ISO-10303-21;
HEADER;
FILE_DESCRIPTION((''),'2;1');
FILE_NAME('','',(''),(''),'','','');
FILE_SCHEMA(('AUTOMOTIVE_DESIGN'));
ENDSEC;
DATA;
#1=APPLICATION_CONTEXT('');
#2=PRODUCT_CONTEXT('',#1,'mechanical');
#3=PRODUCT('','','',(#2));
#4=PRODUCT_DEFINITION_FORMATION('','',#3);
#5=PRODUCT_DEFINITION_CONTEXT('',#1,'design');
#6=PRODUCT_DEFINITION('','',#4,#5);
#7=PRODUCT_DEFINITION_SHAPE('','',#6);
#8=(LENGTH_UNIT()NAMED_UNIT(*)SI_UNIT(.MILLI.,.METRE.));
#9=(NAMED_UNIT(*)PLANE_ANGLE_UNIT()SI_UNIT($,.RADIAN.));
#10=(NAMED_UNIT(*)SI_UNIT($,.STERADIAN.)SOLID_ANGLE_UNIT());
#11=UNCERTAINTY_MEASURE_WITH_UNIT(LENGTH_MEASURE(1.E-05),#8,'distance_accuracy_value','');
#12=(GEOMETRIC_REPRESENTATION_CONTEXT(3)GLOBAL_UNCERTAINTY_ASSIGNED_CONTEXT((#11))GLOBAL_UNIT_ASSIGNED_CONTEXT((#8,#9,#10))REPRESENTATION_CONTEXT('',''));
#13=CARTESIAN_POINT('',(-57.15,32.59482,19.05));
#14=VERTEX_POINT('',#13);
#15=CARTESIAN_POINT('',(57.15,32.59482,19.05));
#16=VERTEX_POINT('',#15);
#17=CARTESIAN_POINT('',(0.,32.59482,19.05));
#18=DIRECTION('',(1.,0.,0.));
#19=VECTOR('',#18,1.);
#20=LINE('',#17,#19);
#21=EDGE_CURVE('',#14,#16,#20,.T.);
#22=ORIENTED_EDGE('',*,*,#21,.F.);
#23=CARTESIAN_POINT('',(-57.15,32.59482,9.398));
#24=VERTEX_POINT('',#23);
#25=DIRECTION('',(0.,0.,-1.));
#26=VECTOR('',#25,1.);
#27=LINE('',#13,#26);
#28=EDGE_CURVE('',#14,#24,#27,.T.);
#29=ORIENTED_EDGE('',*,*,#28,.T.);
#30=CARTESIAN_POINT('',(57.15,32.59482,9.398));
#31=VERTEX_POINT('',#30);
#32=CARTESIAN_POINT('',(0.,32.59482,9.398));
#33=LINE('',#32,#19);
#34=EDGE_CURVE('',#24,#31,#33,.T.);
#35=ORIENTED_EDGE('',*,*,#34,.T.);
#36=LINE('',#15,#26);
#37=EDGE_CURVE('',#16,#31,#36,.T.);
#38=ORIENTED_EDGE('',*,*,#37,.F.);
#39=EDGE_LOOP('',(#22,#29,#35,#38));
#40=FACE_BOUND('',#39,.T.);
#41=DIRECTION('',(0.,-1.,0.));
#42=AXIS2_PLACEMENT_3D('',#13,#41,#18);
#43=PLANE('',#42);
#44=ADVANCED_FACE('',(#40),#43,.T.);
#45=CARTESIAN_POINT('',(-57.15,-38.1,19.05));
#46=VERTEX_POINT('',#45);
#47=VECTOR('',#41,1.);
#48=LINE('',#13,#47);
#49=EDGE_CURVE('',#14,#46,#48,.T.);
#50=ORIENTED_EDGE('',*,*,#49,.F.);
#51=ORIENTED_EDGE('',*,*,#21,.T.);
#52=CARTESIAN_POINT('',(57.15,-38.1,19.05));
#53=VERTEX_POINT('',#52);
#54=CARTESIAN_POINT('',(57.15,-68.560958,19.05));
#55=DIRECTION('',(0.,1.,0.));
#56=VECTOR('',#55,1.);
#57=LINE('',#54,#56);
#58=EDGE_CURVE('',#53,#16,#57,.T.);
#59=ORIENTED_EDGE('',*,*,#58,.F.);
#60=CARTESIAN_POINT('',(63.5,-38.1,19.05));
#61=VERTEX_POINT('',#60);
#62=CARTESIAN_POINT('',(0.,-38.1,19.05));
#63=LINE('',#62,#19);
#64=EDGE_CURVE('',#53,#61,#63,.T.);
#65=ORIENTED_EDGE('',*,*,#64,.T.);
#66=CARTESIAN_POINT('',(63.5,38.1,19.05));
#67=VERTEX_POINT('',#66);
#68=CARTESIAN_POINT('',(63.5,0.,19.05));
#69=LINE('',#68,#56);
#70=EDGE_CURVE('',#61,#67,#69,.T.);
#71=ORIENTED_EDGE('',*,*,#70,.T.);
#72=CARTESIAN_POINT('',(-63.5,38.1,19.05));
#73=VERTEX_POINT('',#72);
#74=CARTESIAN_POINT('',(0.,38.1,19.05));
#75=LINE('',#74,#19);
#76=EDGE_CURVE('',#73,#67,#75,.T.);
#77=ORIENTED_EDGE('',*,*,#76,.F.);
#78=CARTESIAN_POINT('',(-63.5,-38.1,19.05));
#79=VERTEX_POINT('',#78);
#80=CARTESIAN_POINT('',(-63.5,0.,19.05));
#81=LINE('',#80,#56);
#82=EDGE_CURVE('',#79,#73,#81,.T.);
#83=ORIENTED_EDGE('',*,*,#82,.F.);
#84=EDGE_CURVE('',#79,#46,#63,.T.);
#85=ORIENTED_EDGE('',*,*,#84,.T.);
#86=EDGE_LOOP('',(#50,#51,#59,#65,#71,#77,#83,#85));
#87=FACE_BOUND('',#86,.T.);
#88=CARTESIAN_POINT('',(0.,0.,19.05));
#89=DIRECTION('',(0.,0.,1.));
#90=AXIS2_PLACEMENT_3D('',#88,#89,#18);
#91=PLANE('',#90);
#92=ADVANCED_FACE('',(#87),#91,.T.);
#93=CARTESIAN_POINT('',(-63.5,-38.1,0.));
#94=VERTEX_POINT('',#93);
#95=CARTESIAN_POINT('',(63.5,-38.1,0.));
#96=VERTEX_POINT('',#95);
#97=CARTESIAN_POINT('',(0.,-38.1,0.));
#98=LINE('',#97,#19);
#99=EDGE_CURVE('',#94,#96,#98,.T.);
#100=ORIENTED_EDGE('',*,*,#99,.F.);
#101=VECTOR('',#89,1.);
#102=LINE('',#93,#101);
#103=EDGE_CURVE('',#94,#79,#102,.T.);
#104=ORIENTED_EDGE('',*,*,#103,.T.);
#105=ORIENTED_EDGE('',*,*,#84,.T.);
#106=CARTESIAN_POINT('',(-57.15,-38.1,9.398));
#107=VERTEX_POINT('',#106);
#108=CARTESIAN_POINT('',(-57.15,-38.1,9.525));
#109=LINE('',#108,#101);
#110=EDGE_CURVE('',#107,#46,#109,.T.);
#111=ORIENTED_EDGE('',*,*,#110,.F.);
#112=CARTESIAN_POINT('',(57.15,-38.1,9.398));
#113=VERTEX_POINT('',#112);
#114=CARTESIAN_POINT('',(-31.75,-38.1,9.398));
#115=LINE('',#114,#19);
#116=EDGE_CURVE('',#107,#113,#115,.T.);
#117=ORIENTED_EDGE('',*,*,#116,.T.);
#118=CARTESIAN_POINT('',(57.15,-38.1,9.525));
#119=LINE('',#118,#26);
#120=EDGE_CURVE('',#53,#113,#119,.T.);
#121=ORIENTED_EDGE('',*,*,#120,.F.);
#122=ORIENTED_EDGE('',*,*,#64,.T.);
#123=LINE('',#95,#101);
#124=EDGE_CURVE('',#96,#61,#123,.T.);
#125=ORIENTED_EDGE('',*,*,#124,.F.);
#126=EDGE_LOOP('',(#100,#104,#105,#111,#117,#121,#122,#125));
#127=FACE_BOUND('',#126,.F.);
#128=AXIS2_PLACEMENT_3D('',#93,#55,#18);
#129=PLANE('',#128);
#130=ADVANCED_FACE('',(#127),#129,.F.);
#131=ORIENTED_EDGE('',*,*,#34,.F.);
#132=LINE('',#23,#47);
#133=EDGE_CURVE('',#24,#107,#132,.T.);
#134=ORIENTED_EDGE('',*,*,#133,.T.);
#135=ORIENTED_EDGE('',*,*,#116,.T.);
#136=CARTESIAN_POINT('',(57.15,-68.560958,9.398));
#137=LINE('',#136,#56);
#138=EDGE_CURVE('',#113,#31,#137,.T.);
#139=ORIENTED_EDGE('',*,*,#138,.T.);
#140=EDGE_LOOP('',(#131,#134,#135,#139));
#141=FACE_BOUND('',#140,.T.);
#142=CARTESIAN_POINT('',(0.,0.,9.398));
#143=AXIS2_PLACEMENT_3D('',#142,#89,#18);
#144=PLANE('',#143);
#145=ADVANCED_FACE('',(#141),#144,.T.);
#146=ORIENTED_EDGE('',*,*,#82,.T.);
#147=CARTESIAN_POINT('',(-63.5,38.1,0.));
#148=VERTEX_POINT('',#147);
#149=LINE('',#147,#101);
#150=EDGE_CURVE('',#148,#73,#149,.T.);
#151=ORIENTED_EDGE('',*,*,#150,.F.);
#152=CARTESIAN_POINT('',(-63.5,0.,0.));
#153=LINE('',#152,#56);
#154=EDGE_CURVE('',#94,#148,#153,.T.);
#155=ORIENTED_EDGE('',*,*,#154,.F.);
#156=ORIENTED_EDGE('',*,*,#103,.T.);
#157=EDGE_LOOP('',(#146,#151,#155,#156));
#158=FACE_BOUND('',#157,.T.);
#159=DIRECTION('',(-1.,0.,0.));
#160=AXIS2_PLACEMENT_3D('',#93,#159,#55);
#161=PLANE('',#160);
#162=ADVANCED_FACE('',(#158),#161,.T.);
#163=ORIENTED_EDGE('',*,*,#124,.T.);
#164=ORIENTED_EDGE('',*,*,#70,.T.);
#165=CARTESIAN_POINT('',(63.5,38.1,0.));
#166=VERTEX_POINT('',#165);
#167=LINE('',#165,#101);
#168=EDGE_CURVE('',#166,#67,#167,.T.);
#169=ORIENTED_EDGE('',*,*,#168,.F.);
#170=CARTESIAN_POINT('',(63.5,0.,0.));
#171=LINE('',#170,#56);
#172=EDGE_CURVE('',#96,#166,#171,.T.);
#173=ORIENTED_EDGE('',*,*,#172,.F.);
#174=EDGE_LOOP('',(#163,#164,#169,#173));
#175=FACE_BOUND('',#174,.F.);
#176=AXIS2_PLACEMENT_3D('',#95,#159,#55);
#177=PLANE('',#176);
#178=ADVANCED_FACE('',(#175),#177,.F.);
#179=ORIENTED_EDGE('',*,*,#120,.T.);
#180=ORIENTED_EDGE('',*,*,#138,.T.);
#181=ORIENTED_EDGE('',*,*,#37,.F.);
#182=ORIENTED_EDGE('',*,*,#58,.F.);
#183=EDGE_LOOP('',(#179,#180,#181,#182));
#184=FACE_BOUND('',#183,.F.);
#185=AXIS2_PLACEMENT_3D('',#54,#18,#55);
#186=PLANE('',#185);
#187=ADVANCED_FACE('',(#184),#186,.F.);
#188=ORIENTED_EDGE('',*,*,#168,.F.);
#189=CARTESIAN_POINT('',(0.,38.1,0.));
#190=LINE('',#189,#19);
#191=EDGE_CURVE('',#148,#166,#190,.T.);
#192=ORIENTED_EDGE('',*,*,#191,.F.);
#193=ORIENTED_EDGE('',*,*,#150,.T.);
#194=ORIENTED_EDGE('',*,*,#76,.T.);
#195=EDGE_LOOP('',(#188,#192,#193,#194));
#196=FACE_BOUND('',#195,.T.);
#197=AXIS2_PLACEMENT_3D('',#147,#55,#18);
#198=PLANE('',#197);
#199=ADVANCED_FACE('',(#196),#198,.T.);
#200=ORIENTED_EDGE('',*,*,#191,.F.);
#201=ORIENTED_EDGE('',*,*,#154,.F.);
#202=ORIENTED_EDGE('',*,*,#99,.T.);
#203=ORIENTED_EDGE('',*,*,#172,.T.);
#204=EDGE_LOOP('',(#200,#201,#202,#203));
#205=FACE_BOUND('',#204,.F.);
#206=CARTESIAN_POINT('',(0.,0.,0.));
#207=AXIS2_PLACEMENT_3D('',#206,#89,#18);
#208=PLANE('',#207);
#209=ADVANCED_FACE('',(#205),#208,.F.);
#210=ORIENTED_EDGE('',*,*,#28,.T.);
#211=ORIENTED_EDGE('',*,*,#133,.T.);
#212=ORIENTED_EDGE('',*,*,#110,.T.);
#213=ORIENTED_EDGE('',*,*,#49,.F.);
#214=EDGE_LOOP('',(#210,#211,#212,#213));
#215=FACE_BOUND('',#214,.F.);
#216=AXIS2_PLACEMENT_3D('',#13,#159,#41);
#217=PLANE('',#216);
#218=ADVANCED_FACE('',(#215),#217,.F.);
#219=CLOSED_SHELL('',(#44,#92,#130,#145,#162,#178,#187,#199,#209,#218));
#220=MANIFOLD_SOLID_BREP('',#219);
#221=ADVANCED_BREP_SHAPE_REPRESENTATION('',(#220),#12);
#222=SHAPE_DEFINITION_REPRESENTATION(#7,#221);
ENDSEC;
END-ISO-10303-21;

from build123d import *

# Parameters (mm, degrees)
F0_W     = 127
F0_H     = 76.2
F1_DEPTH = 19.05
F2_W     = 114.3
F2_H     = 65.18964
F2_H_2   = 30.460958
F2_H_3   = 5.50518
F3_DEPTH = 9.652


with BuildPart() as f1:
    # F0 (on Top) → F1 (new body)
    with BuildSketch(Plane.XY):
        Rectangle(F0_W, F0_H)
    extrude(amount=F1_DEPTH)

    # F2 (on face) → F3 (cut)
    with BuildSketch(Plane.XY.offset(19.05)):
        Rectangle(F2_W, F2_H)
        with Locations((0, -53.330479)):
            Rectangle(F2_W, F2_H_2)
        with Locations((0, -35.34741)):
            Rectangle(F2_W, F2_H_3)
    extrude(amount=-F3_DEPTH, mode=Mode.SUBTRACT)


solid = f1.part
